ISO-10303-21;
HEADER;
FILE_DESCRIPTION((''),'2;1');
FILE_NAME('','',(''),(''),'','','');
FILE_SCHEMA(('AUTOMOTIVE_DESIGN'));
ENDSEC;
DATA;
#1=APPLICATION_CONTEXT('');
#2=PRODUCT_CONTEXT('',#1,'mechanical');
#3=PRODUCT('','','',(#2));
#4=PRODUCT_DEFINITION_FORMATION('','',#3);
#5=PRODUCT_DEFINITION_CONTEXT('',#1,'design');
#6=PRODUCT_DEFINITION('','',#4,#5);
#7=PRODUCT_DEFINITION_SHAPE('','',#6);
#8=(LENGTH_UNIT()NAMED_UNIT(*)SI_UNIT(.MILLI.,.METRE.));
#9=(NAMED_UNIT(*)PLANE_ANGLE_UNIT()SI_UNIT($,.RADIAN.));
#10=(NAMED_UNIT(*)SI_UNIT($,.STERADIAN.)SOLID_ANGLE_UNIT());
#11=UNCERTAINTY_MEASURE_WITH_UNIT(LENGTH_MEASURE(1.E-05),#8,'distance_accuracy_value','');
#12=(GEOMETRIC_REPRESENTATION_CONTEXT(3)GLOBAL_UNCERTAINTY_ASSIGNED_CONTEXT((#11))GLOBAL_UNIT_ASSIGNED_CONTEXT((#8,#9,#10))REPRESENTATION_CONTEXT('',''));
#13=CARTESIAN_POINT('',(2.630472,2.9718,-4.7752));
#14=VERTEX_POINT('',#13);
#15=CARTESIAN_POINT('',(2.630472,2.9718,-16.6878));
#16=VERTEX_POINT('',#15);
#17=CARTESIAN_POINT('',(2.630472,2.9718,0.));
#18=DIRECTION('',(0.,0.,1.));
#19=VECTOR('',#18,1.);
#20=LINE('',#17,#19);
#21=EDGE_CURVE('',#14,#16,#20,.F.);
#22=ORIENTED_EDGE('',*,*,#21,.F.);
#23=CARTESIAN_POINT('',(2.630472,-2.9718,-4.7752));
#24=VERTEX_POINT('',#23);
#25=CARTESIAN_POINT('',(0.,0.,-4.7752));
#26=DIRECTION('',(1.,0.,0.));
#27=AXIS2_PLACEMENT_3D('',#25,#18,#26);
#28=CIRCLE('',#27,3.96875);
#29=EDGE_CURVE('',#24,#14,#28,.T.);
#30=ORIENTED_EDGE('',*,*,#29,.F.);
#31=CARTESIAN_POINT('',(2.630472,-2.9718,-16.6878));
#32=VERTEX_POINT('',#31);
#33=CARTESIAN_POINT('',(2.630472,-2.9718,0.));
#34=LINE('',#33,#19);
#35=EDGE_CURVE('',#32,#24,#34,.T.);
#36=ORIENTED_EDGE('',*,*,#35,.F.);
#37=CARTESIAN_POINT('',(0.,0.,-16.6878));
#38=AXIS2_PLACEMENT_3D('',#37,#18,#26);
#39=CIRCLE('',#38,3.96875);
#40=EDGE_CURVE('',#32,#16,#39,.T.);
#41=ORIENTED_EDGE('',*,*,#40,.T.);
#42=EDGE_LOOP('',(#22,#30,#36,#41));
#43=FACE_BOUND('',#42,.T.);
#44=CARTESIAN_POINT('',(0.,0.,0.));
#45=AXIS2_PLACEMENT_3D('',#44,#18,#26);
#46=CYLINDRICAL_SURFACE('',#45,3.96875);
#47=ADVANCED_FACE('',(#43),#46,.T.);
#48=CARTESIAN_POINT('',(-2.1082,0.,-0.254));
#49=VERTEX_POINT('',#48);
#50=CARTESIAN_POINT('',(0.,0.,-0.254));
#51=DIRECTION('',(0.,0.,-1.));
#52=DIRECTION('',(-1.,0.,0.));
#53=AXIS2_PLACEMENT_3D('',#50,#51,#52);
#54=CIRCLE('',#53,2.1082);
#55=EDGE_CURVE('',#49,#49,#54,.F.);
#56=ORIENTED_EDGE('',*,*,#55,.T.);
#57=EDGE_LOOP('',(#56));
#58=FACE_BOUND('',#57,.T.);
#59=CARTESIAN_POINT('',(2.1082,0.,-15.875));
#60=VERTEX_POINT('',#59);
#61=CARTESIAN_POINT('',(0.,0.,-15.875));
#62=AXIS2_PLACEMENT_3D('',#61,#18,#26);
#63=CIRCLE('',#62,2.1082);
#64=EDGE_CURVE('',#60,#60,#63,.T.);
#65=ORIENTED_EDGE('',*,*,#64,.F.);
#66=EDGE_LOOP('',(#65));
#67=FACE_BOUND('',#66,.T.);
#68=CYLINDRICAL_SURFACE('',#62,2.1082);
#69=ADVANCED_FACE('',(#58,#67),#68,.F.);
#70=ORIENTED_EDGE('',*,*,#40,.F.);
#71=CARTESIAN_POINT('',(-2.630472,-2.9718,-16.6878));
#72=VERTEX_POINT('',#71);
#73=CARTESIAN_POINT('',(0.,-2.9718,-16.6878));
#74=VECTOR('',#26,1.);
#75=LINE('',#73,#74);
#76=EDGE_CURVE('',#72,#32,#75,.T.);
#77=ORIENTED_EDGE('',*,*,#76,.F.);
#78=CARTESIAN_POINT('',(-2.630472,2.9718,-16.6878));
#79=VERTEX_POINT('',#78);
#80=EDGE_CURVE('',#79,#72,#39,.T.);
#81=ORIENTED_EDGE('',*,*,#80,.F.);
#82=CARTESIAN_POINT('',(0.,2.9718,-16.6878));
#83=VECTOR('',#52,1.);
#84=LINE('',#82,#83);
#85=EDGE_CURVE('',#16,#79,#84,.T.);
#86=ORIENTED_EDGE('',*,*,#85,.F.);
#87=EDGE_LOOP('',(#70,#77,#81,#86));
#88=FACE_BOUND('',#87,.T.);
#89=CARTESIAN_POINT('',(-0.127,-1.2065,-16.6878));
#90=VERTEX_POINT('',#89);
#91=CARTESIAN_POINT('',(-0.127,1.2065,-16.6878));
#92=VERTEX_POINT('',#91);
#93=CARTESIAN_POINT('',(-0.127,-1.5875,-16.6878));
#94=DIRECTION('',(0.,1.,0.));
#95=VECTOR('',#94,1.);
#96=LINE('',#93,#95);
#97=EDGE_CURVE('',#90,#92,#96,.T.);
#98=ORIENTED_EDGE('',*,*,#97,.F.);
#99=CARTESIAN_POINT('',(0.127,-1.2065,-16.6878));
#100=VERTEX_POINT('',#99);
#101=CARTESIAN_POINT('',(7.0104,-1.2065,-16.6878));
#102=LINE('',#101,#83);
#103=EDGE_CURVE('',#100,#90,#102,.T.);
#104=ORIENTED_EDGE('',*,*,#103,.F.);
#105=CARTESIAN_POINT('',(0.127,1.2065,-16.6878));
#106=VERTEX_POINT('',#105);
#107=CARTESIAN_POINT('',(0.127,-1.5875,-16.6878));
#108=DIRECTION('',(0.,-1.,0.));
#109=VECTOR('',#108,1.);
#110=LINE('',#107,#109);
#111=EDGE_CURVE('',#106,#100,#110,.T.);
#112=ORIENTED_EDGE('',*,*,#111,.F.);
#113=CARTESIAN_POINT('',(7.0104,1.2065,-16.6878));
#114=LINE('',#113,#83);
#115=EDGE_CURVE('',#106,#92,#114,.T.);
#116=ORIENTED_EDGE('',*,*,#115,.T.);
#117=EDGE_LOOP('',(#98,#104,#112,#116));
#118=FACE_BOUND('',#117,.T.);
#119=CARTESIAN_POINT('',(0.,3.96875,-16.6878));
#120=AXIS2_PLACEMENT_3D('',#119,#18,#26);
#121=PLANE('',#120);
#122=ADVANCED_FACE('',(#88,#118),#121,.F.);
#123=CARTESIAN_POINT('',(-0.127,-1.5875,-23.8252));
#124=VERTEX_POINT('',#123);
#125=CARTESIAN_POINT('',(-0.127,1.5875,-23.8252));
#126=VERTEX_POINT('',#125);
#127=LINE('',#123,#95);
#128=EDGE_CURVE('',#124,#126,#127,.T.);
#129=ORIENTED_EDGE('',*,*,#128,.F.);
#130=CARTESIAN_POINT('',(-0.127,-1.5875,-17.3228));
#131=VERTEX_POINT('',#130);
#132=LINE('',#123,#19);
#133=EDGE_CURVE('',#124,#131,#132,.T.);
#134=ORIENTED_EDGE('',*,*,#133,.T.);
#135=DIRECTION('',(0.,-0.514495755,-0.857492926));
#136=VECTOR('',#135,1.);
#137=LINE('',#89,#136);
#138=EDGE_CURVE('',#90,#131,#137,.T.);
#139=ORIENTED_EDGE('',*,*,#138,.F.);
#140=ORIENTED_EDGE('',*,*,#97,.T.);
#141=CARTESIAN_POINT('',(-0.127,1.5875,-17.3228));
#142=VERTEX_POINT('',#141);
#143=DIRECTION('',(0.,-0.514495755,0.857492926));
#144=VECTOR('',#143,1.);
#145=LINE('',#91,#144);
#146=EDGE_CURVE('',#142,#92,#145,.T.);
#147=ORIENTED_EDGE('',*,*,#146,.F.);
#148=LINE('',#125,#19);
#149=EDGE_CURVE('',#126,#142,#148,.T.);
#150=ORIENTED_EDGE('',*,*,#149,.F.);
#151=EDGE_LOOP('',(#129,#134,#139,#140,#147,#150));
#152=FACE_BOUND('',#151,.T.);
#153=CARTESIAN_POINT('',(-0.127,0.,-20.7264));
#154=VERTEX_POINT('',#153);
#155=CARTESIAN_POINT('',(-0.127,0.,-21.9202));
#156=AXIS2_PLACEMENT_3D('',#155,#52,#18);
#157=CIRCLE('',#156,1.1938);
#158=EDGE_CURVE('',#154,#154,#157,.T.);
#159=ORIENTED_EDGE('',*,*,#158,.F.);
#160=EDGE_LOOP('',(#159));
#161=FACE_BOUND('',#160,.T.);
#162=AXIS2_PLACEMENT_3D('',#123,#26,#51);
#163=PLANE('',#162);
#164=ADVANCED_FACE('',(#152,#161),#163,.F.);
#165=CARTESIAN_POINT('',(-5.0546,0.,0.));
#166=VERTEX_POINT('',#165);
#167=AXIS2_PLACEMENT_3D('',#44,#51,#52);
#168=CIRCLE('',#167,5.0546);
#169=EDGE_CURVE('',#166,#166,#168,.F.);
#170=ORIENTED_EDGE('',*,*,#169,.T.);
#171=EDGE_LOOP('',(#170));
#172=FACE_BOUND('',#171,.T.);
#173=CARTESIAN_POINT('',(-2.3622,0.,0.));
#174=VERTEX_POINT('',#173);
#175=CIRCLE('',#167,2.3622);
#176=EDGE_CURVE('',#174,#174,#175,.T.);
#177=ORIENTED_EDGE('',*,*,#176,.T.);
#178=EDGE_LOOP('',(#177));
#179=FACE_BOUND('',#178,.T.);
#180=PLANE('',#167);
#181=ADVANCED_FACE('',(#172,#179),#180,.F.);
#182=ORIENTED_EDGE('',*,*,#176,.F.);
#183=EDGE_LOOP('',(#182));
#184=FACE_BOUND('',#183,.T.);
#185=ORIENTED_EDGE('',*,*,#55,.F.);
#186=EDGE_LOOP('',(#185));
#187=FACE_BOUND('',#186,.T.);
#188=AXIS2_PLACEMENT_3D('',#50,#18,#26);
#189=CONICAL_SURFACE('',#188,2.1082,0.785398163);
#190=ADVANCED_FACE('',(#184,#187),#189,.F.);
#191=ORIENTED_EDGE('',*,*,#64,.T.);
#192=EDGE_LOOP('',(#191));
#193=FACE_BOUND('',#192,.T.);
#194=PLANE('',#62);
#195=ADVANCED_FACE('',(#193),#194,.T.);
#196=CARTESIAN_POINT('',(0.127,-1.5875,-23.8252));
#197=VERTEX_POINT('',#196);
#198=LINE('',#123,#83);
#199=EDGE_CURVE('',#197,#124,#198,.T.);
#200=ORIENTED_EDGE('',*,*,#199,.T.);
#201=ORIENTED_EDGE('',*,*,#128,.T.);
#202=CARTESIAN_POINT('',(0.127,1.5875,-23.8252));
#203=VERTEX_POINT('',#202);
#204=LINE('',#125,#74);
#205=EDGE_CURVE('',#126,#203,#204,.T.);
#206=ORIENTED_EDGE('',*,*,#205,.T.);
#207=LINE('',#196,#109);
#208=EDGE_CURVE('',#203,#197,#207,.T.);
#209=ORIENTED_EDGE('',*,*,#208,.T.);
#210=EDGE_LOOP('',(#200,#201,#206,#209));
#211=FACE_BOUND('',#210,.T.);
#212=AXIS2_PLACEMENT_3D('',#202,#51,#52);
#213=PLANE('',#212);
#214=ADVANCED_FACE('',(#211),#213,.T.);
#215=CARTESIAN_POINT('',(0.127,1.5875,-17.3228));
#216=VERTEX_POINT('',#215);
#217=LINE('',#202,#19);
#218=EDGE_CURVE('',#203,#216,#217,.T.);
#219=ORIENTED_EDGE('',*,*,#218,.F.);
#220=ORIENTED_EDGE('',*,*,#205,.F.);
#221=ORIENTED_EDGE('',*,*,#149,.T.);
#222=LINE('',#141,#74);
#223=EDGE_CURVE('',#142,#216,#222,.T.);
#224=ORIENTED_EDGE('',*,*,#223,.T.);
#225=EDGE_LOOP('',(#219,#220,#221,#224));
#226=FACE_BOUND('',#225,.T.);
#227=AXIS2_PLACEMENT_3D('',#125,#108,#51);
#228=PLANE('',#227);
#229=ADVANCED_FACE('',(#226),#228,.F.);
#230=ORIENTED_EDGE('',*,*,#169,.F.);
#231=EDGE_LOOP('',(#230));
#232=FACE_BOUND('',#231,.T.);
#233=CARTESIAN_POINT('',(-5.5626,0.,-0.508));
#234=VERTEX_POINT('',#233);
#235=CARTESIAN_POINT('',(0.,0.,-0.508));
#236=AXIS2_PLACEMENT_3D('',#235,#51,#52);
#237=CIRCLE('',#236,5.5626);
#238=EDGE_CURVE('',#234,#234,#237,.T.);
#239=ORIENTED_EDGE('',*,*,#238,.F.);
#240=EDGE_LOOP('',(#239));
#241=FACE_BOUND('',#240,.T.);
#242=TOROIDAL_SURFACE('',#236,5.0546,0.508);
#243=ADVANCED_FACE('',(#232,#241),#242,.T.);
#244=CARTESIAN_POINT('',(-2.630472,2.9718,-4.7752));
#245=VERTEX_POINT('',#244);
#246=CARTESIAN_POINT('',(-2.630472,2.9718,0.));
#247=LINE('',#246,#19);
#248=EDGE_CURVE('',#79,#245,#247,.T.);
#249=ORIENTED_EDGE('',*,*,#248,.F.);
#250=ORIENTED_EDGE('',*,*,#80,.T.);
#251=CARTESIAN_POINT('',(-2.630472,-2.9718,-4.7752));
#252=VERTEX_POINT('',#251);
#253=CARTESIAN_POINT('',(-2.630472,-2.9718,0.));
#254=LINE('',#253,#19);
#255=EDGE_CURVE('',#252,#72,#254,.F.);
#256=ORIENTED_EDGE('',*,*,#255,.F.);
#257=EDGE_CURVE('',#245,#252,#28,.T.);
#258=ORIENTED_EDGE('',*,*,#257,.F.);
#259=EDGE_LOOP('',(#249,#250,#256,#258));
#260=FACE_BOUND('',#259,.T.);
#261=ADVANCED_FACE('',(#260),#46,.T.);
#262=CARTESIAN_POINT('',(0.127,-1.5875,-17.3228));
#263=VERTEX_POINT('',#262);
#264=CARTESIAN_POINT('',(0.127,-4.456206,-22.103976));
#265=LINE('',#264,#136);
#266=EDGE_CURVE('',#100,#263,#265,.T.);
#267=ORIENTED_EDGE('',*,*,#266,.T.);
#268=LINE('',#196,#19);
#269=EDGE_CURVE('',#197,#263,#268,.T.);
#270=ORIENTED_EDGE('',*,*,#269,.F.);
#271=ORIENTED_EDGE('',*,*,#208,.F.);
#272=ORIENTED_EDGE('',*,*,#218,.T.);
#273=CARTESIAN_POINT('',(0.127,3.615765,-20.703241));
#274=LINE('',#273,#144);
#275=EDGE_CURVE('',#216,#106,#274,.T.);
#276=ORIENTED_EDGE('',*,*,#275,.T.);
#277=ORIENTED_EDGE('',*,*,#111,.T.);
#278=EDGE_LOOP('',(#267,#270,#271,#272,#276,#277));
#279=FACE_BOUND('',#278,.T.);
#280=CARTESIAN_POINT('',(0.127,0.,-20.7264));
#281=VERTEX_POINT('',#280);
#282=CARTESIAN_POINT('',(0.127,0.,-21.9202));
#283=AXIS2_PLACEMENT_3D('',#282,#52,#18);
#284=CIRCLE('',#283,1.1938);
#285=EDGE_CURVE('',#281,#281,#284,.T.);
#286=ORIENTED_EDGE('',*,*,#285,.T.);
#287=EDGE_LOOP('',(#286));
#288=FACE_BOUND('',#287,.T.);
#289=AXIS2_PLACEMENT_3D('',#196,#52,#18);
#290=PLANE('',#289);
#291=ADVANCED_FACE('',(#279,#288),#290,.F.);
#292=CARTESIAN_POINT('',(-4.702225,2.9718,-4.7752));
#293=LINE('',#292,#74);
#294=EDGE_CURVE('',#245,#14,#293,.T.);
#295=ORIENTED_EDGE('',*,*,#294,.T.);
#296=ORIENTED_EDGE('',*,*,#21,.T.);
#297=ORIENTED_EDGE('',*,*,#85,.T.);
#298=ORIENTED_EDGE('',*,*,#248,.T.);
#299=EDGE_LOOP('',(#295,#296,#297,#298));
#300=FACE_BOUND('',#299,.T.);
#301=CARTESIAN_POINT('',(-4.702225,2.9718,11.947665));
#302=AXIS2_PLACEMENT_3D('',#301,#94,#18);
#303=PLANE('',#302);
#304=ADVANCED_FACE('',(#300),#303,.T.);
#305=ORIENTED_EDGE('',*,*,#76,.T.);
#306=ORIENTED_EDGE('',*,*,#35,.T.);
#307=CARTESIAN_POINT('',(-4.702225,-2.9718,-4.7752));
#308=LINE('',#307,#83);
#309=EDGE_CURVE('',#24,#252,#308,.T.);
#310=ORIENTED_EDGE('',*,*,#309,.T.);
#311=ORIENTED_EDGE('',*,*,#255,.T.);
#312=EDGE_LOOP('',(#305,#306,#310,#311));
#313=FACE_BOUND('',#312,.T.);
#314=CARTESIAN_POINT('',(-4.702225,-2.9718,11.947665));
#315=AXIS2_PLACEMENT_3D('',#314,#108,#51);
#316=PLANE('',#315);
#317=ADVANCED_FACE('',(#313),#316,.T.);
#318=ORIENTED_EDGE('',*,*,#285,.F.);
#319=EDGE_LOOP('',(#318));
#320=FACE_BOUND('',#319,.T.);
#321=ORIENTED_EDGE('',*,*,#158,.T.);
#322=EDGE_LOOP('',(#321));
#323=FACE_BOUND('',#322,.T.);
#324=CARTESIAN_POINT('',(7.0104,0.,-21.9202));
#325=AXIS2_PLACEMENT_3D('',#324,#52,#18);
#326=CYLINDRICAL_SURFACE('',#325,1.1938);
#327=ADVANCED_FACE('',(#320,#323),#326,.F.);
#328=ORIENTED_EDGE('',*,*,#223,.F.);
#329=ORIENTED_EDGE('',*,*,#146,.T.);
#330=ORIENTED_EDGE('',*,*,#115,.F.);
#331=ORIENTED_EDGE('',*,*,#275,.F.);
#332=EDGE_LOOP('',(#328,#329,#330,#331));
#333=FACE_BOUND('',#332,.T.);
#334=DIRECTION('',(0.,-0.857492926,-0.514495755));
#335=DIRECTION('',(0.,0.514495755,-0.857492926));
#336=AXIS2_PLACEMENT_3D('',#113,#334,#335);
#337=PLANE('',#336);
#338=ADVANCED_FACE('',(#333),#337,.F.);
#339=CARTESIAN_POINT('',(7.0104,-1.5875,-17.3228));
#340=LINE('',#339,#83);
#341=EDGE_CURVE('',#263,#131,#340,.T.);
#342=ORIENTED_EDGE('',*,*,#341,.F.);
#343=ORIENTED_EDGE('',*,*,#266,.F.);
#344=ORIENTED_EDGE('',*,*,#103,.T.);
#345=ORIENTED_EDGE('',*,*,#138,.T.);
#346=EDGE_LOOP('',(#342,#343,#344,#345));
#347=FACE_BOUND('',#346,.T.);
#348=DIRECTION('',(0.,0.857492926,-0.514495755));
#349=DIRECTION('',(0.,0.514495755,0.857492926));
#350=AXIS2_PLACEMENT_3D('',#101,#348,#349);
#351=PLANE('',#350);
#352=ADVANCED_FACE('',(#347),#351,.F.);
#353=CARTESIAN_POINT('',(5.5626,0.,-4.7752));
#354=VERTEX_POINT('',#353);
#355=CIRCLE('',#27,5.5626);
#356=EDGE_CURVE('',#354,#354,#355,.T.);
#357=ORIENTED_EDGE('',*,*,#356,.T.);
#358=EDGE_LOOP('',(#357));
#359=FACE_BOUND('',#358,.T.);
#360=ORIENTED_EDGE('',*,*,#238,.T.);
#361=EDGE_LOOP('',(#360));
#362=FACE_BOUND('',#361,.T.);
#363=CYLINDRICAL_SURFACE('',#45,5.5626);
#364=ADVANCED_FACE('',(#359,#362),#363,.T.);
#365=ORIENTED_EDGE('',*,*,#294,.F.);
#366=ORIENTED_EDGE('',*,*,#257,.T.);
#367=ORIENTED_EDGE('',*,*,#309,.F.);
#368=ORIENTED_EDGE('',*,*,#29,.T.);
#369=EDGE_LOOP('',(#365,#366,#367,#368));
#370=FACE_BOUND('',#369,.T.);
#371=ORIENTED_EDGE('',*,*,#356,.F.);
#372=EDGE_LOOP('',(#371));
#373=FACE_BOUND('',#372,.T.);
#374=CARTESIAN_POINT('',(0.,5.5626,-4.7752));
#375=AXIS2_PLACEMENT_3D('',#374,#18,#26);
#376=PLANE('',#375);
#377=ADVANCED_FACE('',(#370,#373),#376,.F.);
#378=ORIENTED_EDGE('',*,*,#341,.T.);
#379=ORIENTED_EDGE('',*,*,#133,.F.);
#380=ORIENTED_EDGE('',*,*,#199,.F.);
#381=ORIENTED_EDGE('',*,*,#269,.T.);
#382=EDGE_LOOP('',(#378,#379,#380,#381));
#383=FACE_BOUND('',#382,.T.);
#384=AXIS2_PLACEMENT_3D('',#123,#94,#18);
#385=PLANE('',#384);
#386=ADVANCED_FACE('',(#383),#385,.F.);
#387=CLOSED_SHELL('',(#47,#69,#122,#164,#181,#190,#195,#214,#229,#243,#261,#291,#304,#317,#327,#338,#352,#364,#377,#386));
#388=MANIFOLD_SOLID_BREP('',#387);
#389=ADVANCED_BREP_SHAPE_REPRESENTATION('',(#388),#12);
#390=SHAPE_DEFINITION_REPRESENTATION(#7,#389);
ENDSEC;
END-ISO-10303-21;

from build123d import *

# Parameters (mm, degrees)
FILLET1_R           = 0.508
SKETCH2_OUTSIDE_W   = 17.714
SKETCH2_OUTSIDE_H   = 17.714
SKETCH2_OUTSIDE_W_2 = 9.40445076
SKETCH2_OUTSIDE_H_2 = 5.9436
CUT_EXTRUDE1_DEPTH  = 11.9126
SKETCH3_W           = 0.254
SKETCH3_H           = 3.175
BOSS_EXTRUDE1_DEPTH = 7.1374
SKETCH4_R           = 1.1938
CUT_EXTRUDE2_DEPTH  = 7.1374
CUT_EXTRUDE3_DEPTH  = 7.1374
SKETCH7_R           = 2.1082
CUT_EXTRUDE4_DEPTH  = 15.875
CHAMFER2_SIZE       = 0.254


with BuildPart() as part:
    # Sketch1 → Revolve1 (revolve)
    with BuildSketch(Plane(origin=(0, 0, 0), x_dir=(0, 0, -1), z_dir=(1, 0, 0)), mode=Mode.PRIVATE) as revolve1_sk:
        Polygon((0, 0), (0, 5.5626), (4.7752, 5.5626), (4.7752, 3.96875), (16.6878, 3.96875), (16.6878, 0), align=None)
    revolve(revolve1_sk.sketch.rotate(Axis((0, 0, 0), (0, 0, -1)), 90), axis=Axis((0, 0, 0), (0, 0, -1)))  # turned: the seam where the file's is

    # Fillet1
    fillet1_edges = [part.edges().sort_by_distance(p)[0] for p in [
        (-5.5626, 0, 0),
    ]]
    fillet(fillet1_edges, radius=FILLET1_R)

    # Sketch2 outside → Cut-Extrude1 (cut)
    with BuildSketch(Plane(origin=(0, 0, -16.6878), x_dir=(-1, 0, 0), z_dir=(0, 0, -1))):
        Rectangle(SKETCH2_OUTSIDE_W, SKETCH2_OUTSIDE_H)
        Rectangle(SKETCH2_OUTSIDE_W_2, SKETCH2_OUTSIDE_H_2, mode=Mode.SUBTRACT)
    extrude(amount=-CUT_EXTRUDE1_DEPTH, mode=Mode.SUBTRACT)

    # Sketch3 → Boss-Extrude1 (add)
    with BuildSketch(Plane(origin=(0, 0, -16.6878), x_dir=(-1, 0, 0), z_dir=(0, 0, -1))):
        Rectangle(SKETCH3_W, SKETCH3_H)
    extrude(amount=BOSS_EXTRUDE1_DEPTH)

    # Sketch4 → Cut-Extrude2 (cut)
    with BuildSketch(Plane.ZY.offset(0.127)):
        with Locations((-21.9202, 0)):
            Circle(SKETCH4_R)
    extrude(amount=-CUT_EXTRUDE2_DEPTH, mode=Mode.SUBTRACT)

    # Sketch5 → Cut-Extrude3 (cut)
    with BuildSketch(Plane.ZY.offset(0.127)):
        Polygon((-16.6878, 1.5875), (-16.6878, 1.2065), (-17.3228, 1.5875), align=None)
        Polygon((-16.6878, -1.2065), (-17.3228, -1.5875), (-16.6878, -1.5875), align=None)
    extrude(amount=-CUT_EXTRUDE3_DEPTH, mode=Mode.SUBTRACT)

    # Sketch7 → Cut-Extrude4 (cut)
    with BuildSketch(Plane.XY):
        Circle(SKETCH7_R)
    extrude(amount=-CUT_EXTRUDE4_DEPTH, mode=Mode.SUBTRACT)

    # Chamfer2
    chamfer2_edges = [part.edges().sort_by_distance(p)[0] for p in [
        (-2.1082, 0, 0),
    ]]
    chamfer(chamfer2_edges, length=CHAMFER2_SIZE)


solid = part.part
